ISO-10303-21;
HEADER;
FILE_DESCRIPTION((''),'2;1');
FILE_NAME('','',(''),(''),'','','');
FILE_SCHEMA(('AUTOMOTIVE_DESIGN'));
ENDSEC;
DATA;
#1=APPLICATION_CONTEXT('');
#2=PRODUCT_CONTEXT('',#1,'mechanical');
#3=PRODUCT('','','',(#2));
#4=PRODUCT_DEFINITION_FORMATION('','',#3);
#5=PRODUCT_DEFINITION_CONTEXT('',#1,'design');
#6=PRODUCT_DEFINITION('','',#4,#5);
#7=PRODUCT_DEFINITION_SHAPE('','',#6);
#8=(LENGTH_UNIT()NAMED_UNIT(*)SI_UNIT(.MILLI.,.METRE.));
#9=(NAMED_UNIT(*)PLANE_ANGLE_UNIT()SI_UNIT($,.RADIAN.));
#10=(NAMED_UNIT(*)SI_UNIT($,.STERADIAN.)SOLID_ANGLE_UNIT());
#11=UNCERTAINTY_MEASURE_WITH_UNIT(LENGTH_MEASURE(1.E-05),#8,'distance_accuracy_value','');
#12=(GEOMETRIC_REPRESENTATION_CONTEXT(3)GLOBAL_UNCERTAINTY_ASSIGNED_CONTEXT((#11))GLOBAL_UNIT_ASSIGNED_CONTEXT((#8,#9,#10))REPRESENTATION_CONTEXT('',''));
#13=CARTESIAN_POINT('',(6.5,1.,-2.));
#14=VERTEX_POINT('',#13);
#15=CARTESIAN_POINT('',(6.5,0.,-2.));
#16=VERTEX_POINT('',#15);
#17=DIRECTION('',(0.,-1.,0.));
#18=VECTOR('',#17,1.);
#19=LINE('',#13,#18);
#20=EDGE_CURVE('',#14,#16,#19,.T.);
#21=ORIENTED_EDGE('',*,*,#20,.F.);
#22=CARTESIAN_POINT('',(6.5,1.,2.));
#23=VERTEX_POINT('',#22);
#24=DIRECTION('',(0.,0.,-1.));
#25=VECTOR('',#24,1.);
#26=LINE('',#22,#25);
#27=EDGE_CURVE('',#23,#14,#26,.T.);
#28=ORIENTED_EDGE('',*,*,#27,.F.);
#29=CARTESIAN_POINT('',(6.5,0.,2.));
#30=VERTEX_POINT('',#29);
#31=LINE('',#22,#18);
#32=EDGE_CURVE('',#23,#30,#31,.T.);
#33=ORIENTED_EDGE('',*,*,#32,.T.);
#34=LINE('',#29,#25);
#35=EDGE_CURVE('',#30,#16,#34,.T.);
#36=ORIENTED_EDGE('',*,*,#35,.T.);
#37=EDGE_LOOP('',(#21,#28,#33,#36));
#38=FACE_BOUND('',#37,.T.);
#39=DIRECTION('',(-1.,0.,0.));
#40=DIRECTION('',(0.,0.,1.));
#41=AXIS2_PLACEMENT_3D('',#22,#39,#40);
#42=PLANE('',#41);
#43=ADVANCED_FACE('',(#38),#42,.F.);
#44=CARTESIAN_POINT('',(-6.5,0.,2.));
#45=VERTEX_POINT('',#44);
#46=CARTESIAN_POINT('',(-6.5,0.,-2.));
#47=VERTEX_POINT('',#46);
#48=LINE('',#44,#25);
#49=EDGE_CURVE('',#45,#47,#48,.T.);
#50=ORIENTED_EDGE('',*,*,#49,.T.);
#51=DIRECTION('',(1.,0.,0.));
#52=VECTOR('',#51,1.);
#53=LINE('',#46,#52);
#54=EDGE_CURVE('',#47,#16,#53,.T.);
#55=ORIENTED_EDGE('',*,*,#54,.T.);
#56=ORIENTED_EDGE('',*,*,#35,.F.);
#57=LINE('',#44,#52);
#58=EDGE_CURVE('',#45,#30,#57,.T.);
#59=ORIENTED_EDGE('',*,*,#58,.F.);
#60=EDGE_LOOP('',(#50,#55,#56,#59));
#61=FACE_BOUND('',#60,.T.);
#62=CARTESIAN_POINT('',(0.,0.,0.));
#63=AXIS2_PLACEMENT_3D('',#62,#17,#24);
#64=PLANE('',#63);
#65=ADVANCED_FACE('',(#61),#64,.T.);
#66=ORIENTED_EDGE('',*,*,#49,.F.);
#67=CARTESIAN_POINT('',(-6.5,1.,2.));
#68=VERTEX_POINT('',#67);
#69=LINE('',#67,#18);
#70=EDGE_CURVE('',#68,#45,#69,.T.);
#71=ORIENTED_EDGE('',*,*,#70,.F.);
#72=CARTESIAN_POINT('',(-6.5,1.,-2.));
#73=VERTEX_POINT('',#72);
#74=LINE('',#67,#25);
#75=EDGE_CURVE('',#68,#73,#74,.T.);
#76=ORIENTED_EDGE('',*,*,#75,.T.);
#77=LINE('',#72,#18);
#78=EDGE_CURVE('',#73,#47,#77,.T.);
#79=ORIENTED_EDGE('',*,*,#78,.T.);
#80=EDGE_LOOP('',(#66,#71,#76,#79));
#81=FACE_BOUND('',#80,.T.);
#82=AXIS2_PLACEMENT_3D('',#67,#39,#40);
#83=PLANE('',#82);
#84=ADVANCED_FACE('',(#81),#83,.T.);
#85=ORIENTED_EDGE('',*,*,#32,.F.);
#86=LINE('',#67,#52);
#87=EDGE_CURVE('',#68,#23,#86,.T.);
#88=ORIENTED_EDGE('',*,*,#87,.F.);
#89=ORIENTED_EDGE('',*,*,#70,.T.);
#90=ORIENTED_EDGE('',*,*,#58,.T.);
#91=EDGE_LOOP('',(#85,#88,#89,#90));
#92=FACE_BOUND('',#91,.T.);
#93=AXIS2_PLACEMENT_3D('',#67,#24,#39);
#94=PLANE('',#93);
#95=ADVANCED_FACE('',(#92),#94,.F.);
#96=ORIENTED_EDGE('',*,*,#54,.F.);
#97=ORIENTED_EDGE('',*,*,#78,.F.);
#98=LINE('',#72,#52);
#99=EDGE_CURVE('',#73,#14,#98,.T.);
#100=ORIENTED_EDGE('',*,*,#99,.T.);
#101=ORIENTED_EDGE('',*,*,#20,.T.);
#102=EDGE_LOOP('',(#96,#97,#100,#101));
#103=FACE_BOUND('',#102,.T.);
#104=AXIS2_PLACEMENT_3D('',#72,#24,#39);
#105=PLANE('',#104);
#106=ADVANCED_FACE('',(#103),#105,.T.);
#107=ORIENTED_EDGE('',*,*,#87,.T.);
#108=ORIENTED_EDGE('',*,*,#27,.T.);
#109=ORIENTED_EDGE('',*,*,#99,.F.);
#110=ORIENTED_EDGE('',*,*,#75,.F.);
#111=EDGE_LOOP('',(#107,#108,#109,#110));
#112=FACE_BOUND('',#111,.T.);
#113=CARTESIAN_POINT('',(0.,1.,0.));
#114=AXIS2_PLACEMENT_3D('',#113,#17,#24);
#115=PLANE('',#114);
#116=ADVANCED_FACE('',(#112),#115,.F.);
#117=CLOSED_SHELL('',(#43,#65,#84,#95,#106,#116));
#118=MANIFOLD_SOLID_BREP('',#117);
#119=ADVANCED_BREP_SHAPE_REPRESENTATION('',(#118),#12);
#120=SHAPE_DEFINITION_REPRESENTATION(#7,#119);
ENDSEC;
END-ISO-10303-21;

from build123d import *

# Parameters (mm, degrees)
SZKIC1_W                    = 13
SZKIC1_H                    = 4
DODANIE_WYCI_GNI_CIE2_DEPTH = 1


with BuildPart() as part:
    # Szkic1 → Dodanie-wyciągnięcie2 (new body)
    with BuildSketch(Plane(origin=(0, 0, 0), x_dir=(1, 0, 0), z_dir=(0, 1, 0))):
        Rectangle(SZKIC1_W, SZKIC1_H)
    extrude(amount=DODANIE_WYCI_GNI_CIE2_DEPTH)


solid = part.part
